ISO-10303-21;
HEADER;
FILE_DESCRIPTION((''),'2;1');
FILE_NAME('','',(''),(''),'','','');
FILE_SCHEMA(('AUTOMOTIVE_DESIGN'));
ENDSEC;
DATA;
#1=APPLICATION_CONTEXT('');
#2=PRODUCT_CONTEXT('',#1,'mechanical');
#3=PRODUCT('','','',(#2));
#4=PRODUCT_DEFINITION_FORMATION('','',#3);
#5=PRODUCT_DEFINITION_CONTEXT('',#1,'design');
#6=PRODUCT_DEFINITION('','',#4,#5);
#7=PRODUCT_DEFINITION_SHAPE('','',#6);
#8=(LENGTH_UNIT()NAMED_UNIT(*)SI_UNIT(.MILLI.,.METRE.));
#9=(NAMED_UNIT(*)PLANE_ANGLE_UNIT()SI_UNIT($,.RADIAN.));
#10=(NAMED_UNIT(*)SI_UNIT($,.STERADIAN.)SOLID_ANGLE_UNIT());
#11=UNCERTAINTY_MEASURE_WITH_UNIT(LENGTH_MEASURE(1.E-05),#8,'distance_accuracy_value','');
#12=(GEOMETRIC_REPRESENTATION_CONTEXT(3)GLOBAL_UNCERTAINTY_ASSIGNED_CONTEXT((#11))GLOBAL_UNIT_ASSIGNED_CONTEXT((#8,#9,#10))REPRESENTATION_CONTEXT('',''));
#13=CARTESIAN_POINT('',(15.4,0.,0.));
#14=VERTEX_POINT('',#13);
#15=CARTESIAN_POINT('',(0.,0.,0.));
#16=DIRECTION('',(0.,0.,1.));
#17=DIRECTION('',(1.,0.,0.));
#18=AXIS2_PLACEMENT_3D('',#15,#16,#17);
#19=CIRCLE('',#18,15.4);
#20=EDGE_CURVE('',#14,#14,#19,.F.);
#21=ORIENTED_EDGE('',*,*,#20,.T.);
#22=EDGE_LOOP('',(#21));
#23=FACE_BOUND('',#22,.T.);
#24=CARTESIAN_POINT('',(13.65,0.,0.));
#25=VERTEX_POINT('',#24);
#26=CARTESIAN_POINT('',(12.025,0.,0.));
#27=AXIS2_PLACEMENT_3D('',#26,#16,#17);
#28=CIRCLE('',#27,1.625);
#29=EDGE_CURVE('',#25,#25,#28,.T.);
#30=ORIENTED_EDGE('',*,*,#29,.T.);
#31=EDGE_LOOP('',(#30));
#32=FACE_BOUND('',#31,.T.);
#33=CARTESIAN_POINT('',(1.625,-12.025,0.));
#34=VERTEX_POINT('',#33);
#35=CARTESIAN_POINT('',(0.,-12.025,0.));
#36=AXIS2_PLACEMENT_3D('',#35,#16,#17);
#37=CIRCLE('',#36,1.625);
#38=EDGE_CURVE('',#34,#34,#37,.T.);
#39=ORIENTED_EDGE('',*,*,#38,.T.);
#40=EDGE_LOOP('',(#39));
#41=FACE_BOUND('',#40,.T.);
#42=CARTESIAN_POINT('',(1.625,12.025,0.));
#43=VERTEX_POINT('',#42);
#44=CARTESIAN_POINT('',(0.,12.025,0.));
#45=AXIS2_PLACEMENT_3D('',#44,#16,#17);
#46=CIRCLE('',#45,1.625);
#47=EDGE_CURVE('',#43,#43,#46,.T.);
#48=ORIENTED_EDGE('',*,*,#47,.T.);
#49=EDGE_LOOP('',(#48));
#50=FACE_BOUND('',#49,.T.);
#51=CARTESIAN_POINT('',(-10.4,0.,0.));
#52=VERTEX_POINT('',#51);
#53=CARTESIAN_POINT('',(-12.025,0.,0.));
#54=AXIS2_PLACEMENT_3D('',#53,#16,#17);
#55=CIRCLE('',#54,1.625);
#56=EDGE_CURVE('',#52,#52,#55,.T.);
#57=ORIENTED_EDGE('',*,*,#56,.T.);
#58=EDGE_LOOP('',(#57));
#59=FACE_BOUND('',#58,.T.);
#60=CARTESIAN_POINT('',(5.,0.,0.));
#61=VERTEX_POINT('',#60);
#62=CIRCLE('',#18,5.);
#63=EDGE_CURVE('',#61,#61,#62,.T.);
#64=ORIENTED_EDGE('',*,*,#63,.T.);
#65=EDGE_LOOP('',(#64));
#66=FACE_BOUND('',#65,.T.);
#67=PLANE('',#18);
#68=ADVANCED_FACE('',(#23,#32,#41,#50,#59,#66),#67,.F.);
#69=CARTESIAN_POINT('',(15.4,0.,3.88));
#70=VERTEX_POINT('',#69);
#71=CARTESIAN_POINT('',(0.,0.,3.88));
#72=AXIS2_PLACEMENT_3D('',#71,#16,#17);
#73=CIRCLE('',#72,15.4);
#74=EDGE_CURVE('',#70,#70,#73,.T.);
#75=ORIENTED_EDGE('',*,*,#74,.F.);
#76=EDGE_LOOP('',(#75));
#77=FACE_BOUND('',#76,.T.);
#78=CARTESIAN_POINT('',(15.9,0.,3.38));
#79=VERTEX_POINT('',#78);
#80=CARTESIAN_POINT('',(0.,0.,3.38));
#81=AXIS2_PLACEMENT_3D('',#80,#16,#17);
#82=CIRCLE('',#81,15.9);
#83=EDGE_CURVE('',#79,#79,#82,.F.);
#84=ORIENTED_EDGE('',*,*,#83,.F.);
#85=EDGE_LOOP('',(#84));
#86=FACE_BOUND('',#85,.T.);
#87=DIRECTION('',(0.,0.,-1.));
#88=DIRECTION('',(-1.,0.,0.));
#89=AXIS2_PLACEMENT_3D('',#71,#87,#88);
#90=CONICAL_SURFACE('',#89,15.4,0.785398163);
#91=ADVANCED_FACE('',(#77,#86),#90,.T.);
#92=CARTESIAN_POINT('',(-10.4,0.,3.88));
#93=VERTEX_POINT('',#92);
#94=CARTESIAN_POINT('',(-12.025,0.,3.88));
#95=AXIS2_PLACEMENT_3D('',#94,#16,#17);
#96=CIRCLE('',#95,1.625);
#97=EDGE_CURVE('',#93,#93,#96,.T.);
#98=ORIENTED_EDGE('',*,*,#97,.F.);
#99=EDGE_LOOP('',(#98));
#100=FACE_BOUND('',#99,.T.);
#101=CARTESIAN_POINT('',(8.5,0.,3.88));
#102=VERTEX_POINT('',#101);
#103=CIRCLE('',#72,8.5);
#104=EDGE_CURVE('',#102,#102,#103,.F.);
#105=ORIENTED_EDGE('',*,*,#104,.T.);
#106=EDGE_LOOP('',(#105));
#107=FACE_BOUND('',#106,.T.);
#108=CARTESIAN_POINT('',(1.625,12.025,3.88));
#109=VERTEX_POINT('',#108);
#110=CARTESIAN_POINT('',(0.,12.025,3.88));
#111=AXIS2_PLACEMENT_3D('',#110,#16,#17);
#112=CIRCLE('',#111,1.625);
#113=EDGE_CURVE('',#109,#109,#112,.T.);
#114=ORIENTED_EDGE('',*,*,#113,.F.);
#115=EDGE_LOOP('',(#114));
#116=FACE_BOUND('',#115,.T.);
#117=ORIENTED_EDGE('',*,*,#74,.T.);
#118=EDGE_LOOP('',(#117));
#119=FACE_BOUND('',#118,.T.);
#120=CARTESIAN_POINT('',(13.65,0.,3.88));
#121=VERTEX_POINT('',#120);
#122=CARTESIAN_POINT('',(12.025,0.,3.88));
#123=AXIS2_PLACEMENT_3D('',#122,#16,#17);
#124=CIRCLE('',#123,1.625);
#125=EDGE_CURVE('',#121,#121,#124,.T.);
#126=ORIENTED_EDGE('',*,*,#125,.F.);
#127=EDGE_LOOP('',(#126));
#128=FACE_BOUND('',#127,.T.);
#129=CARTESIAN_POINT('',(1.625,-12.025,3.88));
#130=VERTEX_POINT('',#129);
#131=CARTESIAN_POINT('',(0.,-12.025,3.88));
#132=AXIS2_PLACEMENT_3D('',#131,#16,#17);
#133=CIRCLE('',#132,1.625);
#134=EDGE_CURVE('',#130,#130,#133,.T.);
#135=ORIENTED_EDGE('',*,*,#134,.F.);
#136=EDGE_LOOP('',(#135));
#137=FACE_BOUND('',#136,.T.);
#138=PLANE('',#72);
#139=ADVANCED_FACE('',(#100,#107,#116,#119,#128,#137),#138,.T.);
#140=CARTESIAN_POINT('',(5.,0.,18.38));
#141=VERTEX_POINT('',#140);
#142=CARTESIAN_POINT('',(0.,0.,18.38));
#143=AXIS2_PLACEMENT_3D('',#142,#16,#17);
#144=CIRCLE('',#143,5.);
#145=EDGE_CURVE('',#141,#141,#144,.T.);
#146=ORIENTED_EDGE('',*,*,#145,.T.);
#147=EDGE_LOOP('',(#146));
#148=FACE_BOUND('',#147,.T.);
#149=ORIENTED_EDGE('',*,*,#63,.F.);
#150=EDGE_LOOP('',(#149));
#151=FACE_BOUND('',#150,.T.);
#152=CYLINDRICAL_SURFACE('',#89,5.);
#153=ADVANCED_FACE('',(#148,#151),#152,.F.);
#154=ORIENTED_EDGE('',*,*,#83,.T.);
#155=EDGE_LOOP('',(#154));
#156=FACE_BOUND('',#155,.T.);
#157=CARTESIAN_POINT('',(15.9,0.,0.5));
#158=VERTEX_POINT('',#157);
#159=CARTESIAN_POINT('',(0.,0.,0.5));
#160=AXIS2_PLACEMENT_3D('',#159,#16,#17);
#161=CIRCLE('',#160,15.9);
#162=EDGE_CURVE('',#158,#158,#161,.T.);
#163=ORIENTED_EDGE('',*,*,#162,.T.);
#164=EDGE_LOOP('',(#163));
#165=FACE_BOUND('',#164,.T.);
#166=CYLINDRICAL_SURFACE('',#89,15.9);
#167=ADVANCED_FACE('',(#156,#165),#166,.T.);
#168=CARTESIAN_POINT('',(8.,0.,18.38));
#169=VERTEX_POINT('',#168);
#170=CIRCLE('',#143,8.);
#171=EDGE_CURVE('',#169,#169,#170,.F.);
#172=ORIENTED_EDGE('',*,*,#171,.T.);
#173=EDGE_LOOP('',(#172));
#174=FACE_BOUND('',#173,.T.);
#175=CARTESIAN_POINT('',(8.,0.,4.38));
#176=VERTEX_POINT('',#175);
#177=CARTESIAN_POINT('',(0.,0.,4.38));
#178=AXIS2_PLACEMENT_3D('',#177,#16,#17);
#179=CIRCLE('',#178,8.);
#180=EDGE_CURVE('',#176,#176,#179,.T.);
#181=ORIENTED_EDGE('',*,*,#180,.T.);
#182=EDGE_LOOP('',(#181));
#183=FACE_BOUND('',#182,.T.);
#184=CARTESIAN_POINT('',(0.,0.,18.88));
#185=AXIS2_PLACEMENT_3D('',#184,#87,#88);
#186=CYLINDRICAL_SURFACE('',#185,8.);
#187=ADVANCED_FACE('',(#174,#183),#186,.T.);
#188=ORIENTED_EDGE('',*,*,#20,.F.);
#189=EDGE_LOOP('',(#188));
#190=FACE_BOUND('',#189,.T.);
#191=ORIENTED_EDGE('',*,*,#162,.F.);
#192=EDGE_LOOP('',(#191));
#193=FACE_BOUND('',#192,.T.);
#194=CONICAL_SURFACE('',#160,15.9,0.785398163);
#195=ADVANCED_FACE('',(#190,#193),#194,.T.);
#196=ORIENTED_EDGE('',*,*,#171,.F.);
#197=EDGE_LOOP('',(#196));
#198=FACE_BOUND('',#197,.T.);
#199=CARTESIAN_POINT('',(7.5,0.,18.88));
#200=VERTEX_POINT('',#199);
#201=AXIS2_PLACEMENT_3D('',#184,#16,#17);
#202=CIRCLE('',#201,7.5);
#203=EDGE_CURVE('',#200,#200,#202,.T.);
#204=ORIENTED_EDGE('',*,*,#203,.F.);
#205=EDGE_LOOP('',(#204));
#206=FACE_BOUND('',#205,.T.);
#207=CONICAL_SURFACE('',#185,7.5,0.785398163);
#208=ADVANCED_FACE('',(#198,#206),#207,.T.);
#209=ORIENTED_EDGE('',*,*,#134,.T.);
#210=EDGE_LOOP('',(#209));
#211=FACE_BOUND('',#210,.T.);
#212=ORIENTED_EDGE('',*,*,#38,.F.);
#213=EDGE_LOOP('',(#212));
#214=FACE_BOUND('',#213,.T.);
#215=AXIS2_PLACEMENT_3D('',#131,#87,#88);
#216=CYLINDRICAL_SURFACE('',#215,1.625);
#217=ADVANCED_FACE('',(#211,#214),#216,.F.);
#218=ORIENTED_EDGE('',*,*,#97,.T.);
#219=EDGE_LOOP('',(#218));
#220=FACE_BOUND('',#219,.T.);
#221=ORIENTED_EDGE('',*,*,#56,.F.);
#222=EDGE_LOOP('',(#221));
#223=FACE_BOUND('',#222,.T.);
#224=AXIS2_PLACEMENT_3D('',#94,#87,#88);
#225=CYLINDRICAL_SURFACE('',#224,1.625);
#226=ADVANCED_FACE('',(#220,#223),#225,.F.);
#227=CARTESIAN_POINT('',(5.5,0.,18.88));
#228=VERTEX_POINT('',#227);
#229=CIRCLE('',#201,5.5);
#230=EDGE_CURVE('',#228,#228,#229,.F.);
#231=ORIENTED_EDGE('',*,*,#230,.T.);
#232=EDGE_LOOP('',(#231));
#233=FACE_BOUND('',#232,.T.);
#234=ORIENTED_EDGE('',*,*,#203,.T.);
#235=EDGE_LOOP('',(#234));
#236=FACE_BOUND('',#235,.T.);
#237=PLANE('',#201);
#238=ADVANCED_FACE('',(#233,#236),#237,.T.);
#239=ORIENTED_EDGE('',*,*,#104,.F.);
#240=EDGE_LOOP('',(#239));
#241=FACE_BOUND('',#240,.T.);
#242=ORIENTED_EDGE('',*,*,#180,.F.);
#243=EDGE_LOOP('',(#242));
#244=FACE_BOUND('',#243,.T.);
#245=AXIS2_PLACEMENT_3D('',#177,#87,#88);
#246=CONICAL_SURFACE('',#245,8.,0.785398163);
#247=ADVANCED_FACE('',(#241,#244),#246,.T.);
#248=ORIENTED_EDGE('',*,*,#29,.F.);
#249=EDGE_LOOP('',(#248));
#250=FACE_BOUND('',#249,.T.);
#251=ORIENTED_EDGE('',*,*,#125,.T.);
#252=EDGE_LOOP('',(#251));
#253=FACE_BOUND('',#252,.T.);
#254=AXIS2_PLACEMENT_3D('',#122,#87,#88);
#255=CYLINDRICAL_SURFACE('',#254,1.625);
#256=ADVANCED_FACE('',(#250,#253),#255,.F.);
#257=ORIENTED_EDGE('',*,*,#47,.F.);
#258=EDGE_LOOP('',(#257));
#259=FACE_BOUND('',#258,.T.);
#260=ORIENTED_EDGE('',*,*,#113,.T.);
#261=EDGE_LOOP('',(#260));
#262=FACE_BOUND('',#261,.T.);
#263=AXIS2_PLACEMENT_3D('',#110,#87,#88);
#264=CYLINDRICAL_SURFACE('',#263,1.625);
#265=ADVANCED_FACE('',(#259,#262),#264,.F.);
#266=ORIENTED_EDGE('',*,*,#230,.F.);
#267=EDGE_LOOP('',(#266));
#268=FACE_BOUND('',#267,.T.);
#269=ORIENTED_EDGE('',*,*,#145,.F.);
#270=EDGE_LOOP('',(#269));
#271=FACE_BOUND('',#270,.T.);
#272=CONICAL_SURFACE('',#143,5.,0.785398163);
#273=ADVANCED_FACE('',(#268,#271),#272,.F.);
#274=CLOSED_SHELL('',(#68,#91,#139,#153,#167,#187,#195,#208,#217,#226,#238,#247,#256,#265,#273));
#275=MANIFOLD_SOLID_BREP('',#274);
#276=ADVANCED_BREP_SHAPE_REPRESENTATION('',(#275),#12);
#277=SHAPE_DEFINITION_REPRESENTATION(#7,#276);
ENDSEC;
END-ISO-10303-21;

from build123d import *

# Parameters (mm, degrees)
SKETCH1_R           = 15.9
SKETCH1_R_2         = 5
SKETCH1_R_3         = 1.625
BOSS_EXTRUDE1_DEPTH = 3.88
SKETCH2_R           = 8
SKETCH2_R_2         = 5
BOSS_EXTRUDE2_DEPTH = 15
CHAMFER1_SIZE       = 0.5


with BuildPart() as part:
    # Sketch1 → Boss-Extrude1 (new body)
    with BuildSketch(Plane.XY):
        Circle(SKETCH1_R)
        Circle(SKETCH1_R_2, mode=Mode.SUBTRACT)
        with Locations((0, 12.025)):
            Circle(SKETCH1_R_3, mode=Mode.SUBTRACT)
        with Locations((12.025, 0)):
            Circle(SKETCH1_R_3, mode=Mode.SUBTRACT)
        with Locations((0, -12.025)):
            Circle(SKETCH1_R_3, mode=Mode.SUBTRACT)
        with Locations((-12.025, 0)):
            Circle(SKETCH1_R_3, mode=Mode.SUBTRACT)
    extrude(amount=BOSS_EXTRUDE1_DEPTH)

    # Sketch2 → Boss-Extrude2 (add)
    with BuildSketch(Plane.XY.offset(3.88)):
        Circle(SKETCH2_R)
        Circle(SKETCH2_R_2, mode=Mode.SUBTRACT)
    extrude(amount=BOSS_EXTRUDE2_DEPTH)

    # Chamfer1
    chamfer1_edges = [part.edges().sort_by_distance(p)[0] for p in [
        (-15.9, 0, 0),
        (-8, 0, 18.88),
        (-8, 0, 3.88),
        (-5, 0, 18.88),
        (-15.9, 0, 3.88),
    ]]
    chamfer(chamfer1_edges, length=CHAMFER1_SIZE)


solid = part.part
